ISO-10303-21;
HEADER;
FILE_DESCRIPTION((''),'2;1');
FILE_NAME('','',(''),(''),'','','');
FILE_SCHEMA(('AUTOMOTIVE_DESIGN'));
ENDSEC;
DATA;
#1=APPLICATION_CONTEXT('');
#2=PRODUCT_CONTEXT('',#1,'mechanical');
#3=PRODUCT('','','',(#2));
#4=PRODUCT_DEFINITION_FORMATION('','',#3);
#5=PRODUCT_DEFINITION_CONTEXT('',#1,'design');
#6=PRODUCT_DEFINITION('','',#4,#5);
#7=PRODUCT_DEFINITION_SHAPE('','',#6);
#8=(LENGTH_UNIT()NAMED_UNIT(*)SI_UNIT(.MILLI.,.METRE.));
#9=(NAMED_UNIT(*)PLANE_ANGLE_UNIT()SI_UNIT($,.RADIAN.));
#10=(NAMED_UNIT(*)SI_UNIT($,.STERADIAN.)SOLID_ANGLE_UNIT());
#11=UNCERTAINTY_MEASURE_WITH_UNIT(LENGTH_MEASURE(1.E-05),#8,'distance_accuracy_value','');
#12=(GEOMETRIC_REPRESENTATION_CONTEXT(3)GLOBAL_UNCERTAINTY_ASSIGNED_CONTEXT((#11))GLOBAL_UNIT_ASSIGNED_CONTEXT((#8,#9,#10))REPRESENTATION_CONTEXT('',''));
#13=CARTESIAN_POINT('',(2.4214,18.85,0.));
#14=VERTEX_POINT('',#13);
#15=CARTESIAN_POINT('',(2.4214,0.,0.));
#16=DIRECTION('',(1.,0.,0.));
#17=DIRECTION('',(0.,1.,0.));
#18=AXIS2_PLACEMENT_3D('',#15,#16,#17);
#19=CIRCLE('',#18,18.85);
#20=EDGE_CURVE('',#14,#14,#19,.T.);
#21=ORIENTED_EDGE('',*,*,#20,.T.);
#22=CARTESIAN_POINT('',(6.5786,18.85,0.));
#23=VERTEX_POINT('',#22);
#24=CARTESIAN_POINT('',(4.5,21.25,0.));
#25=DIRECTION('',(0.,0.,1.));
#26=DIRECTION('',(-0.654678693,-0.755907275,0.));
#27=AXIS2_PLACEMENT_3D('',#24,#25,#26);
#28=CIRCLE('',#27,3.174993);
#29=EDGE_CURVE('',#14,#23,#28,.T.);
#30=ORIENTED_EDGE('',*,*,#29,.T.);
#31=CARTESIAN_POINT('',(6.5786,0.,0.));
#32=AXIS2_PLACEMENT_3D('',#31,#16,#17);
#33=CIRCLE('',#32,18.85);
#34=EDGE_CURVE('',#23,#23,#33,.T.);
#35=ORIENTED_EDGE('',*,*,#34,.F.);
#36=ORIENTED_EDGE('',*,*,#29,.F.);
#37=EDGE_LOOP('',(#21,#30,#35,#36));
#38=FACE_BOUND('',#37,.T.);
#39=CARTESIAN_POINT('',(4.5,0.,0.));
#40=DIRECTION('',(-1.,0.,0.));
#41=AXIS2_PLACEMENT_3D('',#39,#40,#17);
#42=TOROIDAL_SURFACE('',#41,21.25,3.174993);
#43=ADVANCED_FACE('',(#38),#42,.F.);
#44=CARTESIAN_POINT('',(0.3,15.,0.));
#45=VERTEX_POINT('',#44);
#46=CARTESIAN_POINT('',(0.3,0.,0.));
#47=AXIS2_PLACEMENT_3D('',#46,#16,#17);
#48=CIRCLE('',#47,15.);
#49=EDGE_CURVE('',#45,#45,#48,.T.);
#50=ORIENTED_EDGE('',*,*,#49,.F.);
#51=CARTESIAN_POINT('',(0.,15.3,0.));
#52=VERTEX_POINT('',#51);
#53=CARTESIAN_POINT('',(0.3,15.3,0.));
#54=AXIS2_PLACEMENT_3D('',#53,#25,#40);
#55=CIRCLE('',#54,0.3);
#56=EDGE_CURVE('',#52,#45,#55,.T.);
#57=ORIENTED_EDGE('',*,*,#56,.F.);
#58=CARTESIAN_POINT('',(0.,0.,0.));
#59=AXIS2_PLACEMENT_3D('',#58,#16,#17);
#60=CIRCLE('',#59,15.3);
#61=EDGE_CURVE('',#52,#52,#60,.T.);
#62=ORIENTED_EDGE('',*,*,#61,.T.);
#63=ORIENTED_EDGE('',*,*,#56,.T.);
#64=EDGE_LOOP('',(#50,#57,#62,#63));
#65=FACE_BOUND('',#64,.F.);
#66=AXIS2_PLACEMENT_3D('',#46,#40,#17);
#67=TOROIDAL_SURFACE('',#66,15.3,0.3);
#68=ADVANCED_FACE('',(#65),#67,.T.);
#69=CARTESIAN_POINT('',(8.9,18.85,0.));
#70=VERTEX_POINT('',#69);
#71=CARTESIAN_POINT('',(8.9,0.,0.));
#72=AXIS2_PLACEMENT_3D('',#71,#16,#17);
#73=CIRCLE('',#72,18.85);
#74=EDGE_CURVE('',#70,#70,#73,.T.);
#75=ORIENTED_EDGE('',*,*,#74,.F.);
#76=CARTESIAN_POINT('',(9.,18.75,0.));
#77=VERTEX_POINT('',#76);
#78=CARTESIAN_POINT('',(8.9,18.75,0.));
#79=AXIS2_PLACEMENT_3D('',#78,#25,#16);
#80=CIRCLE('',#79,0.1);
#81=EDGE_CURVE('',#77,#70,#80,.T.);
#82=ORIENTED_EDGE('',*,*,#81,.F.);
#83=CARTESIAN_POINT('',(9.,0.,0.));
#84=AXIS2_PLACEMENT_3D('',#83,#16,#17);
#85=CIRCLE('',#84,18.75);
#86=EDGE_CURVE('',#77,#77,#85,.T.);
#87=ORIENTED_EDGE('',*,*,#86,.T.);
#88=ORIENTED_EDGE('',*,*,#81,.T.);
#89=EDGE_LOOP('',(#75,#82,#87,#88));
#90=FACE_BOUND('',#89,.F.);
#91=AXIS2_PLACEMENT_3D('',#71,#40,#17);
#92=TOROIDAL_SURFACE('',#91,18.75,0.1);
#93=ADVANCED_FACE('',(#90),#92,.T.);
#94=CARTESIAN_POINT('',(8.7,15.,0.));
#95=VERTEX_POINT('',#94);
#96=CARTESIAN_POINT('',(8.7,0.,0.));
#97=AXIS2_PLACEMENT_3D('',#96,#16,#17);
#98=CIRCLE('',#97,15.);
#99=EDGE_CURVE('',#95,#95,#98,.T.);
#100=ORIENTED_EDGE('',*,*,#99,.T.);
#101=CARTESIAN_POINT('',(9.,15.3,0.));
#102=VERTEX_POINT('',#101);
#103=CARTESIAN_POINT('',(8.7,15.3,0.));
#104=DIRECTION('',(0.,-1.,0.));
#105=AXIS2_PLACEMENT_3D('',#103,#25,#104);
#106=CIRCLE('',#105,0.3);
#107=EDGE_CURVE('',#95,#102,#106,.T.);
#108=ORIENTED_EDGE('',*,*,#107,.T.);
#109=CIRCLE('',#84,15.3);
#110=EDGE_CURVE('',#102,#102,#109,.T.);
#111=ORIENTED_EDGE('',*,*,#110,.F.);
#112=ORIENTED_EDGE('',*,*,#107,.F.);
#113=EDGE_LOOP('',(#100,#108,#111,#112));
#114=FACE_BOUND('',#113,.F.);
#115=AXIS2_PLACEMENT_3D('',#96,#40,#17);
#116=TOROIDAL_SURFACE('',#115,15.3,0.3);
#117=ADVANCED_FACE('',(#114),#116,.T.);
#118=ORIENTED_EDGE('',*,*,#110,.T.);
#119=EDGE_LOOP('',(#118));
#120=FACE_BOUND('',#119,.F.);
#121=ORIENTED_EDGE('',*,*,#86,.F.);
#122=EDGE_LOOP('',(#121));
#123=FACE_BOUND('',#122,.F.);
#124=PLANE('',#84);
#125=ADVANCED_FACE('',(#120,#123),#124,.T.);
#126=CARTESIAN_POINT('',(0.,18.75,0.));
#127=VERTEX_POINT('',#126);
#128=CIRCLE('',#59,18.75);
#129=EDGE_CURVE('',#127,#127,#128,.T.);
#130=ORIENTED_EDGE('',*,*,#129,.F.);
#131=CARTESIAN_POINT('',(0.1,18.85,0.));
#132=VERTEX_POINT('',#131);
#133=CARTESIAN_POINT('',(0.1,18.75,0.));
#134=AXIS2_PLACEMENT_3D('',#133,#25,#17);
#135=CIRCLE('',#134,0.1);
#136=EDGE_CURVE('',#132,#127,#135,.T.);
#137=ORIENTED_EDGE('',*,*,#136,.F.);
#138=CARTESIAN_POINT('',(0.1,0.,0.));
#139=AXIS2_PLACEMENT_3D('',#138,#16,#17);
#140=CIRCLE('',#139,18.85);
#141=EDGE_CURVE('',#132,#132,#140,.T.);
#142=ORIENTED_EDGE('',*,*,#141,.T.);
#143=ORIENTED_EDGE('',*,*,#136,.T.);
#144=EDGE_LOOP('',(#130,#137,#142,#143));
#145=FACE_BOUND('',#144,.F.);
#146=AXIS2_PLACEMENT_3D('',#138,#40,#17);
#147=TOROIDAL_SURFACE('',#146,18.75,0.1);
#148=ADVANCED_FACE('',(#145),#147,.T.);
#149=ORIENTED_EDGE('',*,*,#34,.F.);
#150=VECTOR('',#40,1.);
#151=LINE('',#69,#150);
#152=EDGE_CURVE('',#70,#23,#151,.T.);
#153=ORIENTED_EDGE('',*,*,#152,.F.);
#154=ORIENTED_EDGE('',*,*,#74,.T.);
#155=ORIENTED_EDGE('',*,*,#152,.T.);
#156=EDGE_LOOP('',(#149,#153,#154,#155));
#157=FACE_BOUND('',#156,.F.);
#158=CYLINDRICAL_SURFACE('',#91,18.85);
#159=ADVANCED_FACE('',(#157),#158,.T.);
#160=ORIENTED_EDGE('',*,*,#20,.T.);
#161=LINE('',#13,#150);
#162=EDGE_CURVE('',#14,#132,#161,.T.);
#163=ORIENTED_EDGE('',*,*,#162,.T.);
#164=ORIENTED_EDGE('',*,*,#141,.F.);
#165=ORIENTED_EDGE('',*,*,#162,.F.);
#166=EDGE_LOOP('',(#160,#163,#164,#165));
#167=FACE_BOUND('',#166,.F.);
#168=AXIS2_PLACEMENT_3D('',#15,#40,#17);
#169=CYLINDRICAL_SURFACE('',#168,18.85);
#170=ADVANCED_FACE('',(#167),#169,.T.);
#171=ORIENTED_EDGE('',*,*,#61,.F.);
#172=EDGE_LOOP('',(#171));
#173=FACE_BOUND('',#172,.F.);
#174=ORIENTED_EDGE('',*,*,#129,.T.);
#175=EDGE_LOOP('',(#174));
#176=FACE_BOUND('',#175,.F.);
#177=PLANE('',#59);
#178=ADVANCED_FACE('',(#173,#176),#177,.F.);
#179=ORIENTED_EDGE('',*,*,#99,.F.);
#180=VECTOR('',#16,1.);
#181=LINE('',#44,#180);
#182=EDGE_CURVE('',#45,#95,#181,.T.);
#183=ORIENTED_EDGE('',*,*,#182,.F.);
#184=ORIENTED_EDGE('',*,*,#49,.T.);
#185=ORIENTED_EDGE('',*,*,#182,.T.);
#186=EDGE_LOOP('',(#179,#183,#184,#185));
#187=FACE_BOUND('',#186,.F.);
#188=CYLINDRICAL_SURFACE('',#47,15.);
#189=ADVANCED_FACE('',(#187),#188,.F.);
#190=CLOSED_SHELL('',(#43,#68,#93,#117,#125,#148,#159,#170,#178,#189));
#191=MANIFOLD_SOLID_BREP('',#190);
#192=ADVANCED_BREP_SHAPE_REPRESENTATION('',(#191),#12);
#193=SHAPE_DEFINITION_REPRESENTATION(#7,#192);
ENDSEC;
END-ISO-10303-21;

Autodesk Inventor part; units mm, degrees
ref_plane "YZ Plane" through (0, 0, 0) normal (1, 0, 0) x (0, 1, 0)
ref_plane "XZ Plane" through (0, 0, 0) normal (0, 1, 0) x (-1, 0, 0)
ref_plane "XY Plane" through (0, 0, 0) normal (0, 0, 1) x (1, 0, 0)
sketch "Sketch_54" plane through (0, 0, 0) normal (0, 0, 1) x (1, 0, 0)
  line L0 (100, 0) -> (-100, 0)
  arc A0 (0, 15.3) -> (0.3, 15) centre (0.3, 15.3) ccw
  line L1 (0.3, 15) -> (8.7, 15)
  arc A1 (8.7, 15) -> (9, 15.3) centre (8.7, 15.3) ccw
  line L2 (9, 15.3) -> (9, 18.75)
  arc A2 (9, 18.75) -> (8.9, 18.85) centre (8.9, 18.75) ccw
  line L3 (8.9, 18.85) -> (6.5786, 18.85)
  arc A3 (2.4214, 18.85) -> (6.5786, 18.85) centre (4.5, 21.25) ccw
  line L4 (2.4214, 18.85) -> (0.1, 18.85)
  arc A4 (0.1, 18.85) -> (0, 18.75) centre (0.1, 18.75) ccw
  line L5 (0, 18.75) -> (0, 15.3)
revolve "Revolution1" add sketch "Sketch_54" angle 360 about axis through (100, 0, 0) along (1, 0, 0)
properties part number "16006_PART1"
